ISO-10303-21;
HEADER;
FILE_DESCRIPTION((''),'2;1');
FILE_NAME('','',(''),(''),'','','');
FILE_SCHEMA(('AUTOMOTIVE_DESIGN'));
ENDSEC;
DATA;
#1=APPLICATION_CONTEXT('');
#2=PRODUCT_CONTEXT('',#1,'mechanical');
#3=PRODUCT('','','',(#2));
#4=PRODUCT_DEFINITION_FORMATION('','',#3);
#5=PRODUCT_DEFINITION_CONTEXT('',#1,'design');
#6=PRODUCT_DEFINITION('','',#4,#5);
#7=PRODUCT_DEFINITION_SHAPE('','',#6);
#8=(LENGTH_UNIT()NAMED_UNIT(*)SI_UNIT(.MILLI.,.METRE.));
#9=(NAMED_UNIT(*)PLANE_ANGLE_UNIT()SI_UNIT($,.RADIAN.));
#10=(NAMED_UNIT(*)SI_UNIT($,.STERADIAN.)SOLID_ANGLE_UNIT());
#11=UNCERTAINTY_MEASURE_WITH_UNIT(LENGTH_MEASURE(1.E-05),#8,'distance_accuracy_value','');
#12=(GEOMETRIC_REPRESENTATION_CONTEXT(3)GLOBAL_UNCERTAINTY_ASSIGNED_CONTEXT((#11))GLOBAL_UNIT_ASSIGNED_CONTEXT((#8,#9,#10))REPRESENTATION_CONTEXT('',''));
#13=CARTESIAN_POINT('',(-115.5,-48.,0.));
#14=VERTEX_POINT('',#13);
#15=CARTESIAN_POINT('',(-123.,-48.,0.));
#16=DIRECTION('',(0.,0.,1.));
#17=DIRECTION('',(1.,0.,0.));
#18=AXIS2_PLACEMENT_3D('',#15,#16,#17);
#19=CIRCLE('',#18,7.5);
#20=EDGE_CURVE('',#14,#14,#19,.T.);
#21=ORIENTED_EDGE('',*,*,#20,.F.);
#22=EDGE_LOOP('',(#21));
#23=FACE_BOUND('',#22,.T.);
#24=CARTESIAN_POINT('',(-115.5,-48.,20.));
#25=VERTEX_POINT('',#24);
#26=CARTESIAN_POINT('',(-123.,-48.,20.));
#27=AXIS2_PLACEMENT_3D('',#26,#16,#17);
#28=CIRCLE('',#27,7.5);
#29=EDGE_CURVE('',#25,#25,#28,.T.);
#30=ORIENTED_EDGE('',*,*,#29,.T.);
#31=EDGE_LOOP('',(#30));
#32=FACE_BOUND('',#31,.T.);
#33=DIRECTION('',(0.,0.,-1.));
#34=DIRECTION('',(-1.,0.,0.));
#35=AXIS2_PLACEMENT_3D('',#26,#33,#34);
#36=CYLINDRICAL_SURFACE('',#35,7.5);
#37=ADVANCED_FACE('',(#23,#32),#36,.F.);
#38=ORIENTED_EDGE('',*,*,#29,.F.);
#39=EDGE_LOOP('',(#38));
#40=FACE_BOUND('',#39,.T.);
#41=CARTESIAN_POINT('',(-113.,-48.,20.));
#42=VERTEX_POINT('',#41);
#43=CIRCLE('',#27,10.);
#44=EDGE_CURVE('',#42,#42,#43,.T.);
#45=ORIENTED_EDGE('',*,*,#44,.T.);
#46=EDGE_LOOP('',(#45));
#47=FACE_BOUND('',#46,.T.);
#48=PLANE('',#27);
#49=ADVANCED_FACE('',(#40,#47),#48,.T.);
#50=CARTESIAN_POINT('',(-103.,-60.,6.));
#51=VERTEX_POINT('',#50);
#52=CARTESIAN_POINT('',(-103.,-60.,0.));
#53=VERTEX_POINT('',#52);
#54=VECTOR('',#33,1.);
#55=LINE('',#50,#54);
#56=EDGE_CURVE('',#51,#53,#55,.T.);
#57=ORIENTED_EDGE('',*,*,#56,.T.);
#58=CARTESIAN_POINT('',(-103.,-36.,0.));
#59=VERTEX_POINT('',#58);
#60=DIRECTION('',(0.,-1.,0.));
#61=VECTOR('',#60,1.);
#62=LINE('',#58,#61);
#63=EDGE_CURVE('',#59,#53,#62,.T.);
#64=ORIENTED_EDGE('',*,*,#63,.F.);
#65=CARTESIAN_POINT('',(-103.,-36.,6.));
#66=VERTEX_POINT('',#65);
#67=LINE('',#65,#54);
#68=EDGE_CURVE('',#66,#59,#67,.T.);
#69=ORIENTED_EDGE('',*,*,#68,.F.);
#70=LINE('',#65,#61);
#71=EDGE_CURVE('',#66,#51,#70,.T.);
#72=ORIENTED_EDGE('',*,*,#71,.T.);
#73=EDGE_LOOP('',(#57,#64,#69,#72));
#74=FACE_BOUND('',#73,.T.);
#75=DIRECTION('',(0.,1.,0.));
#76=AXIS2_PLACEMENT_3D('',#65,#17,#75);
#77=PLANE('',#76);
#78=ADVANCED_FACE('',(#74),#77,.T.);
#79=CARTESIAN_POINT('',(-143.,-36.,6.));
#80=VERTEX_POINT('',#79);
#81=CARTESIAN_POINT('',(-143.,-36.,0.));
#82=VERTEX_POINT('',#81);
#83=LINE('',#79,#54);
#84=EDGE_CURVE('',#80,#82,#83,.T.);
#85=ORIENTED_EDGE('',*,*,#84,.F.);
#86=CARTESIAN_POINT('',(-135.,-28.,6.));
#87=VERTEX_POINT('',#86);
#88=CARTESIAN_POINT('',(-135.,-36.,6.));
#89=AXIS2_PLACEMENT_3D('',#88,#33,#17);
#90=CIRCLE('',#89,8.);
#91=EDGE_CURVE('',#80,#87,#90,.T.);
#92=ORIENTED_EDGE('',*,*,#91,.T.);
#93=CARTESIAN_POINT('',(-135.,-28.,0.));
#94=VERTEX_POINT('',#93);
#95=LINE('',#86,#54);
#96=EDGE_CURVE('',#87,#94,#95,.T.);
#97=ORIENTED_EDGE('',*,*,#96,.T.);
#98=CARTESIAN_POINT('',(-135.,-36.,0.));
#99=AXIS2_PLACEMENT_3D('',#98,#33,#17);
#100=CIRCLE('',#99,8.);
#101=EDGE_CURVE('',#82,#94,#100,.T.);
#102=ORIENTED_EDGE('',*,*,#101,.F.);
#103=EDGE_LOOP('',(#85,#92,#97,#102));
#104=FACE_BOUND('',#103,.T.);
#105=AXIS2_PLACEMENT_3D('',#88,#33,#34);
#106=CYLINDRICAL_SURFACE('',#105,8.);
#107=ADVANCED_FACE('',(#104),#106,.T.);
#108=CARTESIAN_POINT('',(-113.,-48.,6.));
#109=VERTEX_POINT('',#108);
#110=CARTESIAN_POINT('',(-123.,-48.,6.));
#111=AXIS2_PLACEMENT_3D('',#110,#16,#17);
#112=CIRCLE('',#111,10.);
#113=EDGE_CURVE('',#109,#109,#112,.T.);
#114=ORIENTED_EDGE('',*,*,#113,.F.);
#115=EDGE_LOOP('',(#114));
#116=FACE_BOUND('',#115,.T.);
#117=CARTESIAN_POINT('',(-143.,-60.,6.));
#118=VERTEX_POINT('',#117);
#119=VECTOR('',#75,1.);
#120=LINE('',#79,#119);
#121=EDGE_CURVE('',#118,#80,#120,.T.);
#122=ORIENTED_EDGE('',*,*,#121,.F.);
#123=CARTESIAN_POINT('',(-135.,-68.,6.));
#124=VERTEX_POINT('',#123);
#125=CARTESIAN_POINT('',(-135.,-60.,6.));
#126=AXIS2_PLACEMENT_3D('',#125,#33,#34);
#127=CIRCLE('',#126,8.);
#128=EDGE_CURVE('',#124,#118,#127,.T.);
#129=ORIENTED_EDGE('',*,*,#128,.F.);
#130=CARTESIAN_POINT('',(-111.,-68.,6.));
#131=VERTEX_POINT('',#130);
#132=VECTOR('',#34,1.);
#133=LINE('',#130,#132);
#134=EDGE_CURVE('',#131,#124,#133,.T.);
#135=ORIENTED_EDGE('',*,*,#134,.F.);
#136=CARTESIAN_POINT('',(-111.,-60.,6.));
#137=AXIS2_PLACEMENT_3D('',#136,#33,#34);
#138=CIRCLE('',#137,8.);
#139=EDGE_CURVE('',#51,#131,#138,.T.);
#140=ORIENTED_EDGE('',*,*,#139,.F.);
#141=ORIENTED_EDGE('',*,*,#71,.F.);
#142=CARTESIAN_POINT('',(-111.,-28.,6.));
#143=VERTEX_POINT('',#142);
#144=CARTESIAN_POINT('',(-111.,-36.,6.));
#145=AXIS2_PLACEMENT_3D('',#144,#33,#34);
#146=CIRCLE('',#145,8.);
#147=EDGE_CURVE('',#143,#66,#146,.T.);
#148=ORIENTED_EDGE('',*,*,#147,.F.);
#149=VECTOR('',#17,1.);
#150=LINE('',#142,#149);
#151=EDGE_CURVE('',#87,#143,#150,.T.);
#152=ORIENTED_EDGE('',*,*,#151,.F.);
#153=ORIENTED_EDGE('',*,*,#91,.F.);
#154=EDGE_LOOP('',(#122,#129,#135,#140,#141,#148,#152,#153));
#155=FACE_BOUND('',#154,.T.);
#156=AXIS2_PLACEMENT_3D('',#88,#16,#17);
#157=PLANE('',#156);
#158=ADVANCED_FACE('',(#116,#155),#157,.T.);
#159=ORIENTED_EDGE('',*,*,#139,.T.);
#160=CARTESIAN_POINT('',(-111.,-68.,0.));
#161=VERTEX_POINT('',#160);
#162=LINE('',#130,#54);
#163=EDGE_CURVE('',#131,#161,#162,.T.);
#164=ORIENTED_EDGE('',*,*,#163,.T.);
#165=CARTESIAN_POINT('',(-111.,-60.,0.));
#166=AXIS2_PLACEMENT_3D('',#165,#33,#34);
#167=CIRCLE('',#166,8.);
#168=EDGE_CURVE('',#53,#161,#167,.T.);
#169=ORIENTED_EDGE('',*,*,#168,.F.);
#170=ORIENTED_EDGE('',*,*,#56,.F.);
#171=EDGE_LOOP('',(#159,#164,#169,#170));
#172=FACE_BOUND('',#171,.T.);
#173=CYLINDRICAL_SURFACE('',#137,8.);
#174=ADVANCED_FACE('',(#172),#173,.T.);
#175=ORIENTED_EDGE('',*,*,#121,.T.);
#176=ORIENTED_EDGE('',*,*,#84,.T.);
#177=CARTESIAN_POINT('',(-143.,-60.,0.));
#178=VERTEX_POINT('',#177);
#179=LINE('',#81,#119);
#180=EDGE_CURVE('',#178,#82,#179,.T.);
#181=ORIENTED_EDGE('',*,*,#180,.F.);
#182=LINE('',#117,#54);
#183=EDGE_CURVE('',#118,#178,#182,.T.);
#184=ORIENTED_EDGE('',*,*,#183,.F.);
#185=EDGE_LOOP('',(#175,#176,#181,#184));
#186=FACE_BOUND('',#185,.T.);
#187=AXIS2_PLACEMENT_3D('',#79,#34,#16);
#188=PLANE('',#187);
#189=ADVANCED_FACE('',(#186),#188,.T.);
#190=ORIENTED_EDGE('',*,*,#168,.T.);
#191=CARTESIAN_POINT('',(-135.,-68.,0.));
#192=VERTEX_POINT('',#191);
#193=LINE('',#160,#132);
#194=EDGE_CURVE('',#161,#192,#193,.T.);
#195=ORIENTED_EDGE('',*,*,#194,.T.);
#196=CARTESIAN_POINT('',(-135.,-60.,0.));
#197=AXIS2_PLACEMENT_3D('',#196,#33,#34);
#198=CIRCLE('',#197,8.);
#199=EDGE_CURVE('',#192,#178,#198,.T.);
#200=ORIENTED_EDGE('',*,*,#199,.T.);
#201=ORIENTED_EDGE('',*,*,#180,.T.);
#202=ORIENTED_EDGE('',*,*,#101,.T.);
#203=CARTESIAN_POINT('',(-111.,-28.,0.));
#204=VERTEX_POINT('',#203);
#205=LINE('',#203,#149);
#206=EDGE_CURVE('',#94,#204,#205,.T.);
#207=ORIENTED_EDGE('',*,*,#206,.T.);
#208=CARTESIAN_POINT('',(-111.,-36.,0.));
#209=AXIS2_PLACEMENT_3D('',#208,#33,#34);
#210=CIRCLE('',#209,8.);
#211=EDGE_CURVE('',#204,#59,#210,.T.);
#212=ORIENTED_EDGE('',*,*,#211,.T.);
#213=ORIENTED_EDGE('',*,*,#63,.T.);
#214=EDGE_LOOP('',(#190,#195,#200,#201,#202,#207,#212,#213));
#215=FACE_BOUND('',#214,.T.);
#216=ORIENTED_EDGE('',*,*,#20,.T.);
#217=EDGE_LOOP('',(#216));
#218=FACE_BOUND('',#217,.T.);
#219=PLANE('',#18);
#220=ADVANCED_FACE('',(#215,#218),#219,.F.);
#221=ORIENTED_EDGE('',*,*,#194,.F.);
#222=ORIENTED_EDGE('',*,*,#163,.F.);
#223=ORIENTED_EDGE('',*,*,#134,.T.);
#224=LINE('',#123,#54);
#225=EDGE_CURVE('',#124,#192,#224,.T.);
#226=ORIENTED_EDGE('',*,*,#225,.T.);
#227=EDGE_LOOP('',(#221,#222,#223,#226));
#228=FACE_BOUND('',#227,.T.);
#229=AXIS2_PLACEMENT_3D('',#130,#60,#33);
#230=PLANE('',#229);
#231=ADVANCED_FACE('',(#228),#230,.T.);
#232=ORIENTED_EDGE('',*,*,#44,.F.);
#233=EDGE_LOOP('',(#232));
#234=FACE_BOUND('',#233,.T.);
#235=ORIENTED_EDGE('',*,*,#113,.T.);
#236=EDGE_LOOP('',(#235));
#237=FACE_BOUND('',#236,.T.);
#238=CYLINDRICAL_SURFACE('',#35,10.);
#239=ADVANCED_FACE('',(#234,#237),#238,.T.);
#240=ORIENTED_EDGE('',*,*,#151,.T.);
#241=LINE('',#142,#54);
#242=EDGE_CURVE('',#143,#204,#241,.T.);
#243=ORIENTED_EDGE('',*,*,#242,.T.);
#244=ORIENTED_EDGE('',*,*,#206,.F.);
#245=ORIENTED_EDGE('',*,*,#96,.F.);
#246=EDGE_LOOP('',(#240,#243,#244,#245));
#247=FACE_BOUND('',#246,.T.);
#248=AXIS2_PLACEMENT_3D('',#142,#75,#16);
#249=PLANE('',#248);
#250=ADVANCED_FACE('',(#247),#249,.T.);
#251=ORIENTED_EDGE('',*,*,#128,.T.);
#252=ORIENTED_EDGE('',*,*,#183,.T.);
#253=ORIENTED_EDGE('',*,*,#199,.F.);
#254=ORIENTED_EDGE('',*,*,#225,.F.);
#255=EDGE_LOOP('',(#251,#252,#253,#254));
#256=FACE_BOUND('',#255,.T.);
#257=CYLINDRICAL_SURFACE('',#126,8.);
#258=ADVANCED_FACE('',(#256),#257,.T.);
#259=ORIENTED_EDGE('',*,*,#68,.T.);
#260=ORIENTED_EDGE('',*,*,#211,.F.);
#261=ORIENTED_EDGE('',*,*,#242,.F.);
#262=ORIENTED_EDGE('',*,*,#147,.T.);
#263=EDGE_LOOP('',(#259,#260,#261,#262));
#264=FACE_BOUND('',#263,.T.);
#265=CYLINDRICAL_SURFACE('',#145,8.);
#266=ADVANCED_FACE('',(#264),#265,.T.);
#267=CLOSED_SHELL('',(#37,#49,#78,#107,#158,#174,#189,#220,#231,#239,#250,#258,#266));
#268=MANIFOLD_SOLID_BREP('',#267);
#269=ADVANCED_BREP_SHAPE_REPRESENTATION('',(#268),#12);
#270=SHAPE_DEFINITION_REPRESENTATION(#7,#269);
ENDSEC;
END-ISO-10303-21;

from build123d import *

# Parameters (mm, degrees)
SKETCH1_R           = 10
SKETCH1_R_2         = 7.5
BOSS_EXTRUDE1_DEPTH = 20
SKETCH2_R           = 7.5
BOSS_EXTRUDE2_DEPTH = 6


with BuildPart() as part:
    # Sketch1 → Boss-Extrude1 (new body)
    with BuildSketch(Plane.XY):
        with Locations((-123, -48)):
            Circle(SKETCH1_R)
        with Locations((-123, -48)):
            Circle(SKETCH1_R_2, mode=Mode.SUBTRACT)
    extrude(amount=BOSS_EXTRUDE1_DEPTH)

    # Sketch2 → Boss-Extrude2 (add)
    with BuildSketch(Plane(origin=(0, 0, 0), x_dir=(-1, 0, 0), z_dir=(0, 0, -1))):
        with BuildLine():
            Line((111, -28), (135, -28))
            ThreePointArc((135, -28), (140.656854249, -30.343145751), (143, -36))
            Line((143, -36), (143, -60))
            ThreePointArc((143, -60), (140.656854249, -65.656854249), (135, -68))
            Line((135, -68), (111, -68))
            ThreePointArc((111, -68), (105.343145751, -65.656854249), (103, -60))
            Line((103, -60), (103, -36))
            ThreePointArc((103, -36), (105.343145751, -30.343145751), (111, -28))
        make_face()
        with Locations(Location((123, -48, 0), (0, 0, 180))):
            Circle(SKETCH2_R, mode=Mode.SUBTRACT)
    extrude(amount=-BOSS_EXTRUDE2_DEPTH)


solid = part.part
